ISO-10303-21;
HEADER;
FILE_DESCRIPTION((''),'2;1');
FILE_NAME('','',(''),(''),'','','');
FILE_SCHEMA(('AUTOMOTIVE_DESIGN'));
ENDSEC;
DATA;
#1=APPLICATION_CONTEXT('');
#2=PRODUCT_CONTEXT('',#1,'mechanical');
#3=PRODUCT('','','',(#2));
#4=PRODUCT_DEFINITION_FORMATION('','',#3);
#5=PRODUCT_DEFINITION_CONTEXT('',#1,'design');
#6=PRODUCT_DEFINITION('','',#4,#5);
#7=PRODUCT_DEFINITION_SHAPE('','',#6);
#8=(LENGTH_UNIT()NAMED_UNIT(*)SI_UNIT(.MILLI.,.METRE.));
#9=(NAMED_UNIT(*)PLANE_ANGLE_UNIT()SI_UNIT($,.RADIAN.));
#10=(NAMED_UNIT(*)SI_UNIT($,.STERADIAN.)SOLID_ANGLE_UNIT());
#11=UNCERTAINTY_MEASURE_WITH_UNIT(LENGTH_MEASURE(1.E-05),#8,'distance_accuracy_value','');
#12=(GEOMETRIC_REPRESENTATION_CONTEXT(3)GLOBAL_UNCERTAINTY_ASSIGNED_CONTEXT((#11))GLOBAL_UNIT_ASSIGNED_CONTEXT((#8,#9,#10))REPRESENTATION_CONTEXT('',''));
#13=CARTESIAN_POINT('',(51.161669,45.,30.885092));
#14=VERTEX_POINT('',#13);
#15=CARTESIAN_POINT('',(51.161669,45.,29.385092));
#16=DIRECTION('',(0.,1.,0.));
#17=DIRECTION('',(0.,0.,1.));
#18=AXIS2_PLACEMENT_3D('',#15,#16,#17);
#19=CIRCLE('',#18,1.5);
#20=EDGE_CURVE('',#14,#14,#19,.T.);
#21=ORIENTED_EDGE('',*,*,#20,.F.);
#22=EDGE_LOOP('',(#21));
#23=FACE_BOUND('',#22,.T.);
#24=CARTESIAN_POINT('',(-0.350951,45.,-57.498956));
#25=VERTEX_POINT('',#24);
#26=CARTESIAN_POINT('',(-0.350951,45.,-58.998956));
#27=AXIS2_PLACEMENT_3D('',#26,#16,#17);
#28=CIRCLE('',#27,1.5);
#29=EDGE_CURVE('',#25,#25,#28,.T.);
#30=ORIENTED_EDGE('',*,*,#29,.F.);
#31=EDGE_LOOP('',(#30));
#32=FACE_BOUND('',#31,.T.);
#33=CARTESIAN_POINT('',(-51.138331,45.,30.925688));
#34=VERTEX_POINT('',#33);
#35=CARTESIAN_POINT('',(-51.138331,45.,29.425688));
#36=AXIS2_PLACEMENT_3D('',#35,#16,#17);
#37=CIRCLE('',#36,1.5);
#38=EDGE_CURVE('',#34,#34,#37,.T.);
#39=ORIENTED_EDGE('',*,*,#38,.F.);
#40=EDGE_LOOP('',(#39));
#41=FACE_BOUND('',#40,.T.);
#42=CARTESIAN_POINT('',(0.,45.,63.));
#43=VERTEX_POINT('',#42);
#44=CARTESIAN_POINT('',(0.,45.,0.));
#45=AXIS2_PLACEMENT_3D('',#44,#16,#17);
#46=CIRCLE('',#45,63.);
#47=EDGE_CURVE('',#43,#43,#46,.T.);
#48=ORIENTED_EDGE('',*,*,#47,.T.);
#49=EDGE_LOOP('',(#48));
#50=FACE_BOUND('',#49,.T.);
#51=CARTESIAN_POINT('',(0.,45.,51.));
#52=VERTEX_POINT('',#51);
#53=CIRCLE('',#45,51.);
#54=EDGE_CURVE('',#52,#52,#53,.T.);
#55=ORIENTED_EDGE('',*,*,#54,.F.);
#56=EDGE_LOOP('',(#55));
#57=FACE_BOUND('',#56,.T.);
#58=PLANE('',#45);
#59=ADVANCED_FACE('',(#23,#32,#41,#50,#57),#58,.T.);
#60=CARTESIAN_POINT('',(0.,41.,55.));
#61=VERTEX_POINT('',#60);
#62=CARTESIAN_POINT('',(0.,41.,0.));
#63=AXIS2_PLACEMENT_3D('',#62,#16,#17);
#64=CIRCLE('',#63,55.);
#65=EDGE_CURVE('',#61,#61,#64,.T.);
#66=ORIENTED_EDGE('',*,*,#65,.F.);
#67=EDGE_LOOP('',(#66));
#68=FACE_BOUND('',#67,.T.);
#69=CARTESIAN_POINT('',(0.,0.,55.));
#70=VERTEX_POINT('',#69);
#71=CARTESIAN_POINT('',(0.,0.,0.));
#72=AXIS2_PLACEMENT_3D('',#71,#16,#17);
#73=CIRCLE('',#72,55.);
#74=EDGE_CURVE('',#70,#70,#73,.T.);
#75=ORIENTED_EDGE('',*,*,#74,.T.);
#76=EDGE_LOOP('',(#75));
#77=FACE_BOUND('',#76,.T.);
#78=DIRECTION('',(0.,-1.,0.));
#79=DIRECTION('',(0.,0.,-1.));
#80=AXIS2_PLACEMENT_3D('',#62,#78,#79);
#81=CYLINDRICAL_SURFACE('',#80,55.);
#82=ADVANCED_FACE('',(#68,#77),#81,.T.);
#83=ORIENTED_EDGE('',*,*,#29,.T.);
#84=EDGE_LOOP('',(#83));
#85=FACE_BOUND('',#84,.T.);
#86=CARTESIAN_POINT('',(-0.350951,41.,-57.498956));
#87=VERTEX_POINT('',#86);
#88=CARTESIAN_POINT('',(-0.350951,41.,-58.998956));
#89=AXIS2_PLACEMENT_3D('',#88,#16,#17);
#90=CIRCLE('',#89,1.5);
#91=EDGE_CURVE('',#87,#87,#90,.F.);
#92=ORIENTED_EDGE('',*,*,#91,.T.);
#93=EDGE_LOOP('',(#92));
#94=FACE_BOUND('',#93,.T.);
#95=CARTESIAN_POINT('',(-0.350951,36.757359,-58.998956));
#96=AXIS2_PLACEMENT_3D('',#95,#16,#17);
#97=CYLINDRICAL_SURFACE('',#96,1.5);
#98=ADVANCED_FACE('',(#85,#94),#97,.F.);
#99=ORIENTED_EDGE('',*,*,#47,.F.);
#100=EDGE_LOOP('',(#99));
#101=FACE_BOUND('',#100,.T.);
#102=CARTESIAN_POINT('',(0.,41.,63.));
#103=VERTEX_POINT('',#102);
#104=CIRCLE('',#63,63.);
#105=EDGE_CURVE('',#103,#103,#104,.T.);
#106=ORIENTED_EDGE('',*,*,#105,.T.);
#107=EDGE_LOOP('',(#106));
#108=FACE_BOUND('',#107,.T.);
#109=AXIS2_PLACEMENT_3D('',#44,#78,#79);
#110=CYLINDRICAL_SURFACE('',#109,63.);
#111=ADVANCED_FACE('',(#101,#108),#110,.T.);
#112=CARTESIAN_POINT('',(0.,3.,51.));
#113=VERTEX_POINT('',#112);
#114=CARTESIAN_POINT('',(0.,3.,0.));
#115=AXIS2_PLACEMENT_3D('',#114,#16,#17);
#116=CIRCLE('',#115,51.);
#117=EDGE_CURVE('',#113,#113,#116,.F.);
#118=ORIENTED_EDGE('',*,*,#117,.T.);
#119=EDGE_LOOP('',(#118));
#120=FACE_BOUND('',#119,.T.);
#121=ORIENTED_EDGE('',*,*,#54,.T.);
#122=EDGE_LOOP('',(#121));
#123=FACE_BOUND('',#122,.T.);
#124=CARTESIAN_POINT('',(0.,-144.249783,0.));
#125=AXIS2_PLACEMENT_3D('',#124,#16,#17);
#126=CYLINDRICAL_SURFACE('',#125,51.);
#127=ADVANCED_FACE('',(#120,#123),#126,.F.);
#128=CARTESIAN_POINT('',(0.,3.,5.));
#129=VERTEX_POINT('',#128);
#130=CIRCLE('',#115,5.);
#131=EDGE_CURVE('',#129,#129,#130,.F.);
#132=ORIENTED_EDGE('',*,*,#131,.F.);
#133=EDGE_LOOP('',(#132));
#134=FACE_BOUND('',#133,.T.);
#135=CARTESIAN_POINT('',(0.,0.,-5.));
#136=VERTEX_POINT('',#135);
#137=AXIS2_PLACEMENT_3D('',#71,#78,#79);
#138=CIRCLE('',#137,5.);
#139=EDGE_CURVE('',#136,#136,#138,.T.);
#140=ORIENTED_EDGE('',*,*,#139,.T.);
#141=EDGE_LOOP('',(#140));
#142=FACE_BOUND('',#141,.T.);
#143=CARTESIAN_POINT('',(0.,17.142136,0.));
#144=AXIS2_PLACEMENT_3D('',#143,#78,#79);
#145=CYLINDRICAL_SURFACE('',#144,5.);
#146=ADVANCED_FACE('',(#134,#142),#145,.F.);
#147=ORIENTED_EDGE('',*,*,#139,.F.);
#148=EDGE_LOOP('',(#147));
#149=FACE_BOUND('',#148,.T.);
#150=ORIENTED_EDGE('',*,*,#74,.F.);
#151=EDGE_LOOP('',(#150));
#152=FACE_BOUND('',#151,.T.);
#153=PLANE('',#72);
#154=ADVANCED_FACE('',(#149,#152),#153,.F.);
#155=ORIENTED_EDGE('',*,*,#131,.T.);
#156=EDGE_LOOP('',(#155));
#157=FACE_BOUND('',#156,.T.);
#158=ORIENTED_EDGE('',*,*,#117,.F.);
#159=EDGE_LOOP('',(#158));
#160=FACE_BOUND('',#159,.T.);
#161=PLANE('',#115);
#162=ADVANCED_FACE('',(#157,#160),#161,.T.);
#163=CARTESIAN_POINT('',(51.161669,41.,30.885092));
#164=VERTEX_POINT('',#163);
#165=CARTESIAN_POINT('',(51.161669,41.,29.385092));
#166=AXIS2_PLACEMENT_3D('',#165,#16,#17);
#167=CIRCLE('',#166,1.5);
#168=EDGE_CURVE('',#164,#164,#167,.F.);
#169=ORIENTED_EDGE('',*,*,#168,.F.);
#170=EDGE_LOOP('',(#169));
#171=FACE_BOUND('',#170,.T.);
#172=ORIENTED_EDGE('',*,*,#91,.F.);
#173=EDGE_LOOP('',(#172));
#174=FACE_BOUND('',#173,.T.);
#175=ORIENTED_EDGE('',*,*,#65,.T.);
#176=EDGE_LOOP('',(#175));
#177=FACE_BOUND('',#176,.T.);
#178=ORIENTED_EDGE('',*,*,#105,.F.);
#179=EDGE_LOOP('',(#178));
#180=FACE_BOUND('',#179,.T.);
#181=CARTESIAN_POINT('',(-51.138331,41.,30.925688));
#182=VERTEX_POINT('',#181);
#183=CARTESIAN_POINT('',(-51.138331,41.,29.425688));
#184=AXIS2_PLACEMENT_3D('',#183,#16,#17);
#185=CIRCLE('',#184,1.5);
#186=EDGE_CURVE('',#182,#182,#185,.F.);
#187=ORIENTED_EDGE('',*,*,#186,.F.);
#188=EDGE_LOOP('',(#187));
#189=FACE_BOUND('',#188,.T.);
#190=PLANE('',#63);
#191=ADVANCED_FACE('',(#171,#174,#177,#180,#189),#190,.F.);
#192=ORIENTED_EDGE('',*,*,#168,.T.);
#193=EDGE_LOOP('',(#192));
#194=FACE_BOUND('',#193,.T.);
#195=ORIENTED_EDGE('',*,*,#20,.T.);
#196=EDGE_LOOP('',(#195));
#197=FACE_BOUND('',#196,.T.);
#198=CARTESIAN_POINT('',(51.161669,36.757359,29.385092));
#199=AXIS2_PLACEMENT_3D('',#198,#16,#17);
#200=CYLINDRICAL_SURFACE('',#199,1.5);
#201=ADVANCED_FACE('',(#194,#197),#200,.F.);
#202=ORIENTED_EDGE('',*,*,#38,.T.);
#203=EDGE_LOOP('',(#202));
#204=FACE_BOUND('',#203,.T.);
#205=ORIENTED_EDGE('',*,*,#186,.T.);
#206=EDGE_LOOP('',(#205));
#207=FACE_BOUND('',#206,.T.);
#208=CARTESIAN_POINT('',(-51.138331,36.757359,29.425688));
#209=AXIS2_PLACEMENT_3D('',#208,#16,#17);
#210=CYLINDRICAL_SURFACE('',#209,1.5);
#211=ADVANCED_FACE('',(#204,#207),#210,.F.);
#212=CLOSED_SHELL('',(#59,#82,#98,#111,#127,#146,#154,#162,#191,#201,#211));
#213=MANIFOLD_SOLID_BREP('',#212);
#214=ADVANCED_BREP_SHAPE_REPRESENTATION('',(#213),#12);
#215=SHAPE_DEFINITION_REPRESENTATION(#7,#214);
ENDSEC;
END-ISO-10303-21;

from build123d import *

# Parameters (mm, degrees)
SKETCH1_R           = 55
BOSS_EXTRUDE1_DEPTH = 41
SKETCH2_R           = 63
BOSS_EXTRUDE2_DEPTH = 4
SKETCH3_R           = 51
CUT_EXTRUDE3_DEPTH  = 42
SKETCH4_R           = 5
CUT_EXTRUDE4_DEPTH  = 3
SKETCH5_R           = 1.5
CUT_EXTRUDE5_DEPTH  = 4


with BuildPart() as part:
    # Sketch1 → Boss-Extrude1 (new body)
    with BuildSketch(Plane(origin=(0, 0, 0), x_dir=(1, 0, 0), z_dir=(0, 1, 0))):
        with Locations(Location((0, 0, 0), (0, 0, 270))):
            Circle(SKETCH1_R)
    extrude(amount=BOSS_EXTRUDE1_DEPTH)

    # Sketch2 → Boss-Extrude2 (add)
    with BuildSketch(Plane(origin=(0, 41, 0), x_dir=(1, 0, 0), z_dir=(0, 1, 0))):
        with Locations(Location((0, 0, 0), (0, 0, 270))):
            Circle(SKETCH2_R)
    extrude(amount=BOSS_EXTRUDE2_DEPTH)

    # Sketch3 → Cut-Extrude3 (cut)
    with BuildSketch(Plane(origin=(0, 45, 0), x_dir=(1, 0, 0), z_dir=(0, 1, 0))):
        with Locations(Location((0, 0, 0), (0, 0, 270))):
            Circle(SKETCH3_R)
    extrude(amount=-CUT_EXTRUDE3_DEPTH, mode=Mode.SUBTRACT)

    # Sketch4 → Cut-Extrude4 (cut)
    with BuildSketch(Plane.XZ):
        with Locations(Location((0, 0, 0), (0, 0, 270))):
            Circle(SKETCH4_R)
    extrude(amount=-CUT_EXTRUDE4_DEPTH, mode=Mode.SUBTRACT)

    # Sketch5 → Cut-Extrude5 (cut)
    with BuildSketch(Plane(origin=(0, 45, 0), x_dir=(1, 0, 0), z_dir=(0, 1, 0))):
        with Locations(Location((-0.350950897, 58.998956207, 0), (0, 0, 270))):
            Circle(SKETCH5_R)
        with Locations(Location((-51.138331167, -29.42568751, 0), (0, 0, 270))):
            Circle(SKETCH5_R)
        with Locations(Location((51.161668833, -29.385092176, 0), (0, 0, 270))):
            Circle(SKETCH5_R)
    extrude(amount=-CUT_EXTRUDE5_DEPTH, mode=Mode.SUBTRACT)


solid = part.part
